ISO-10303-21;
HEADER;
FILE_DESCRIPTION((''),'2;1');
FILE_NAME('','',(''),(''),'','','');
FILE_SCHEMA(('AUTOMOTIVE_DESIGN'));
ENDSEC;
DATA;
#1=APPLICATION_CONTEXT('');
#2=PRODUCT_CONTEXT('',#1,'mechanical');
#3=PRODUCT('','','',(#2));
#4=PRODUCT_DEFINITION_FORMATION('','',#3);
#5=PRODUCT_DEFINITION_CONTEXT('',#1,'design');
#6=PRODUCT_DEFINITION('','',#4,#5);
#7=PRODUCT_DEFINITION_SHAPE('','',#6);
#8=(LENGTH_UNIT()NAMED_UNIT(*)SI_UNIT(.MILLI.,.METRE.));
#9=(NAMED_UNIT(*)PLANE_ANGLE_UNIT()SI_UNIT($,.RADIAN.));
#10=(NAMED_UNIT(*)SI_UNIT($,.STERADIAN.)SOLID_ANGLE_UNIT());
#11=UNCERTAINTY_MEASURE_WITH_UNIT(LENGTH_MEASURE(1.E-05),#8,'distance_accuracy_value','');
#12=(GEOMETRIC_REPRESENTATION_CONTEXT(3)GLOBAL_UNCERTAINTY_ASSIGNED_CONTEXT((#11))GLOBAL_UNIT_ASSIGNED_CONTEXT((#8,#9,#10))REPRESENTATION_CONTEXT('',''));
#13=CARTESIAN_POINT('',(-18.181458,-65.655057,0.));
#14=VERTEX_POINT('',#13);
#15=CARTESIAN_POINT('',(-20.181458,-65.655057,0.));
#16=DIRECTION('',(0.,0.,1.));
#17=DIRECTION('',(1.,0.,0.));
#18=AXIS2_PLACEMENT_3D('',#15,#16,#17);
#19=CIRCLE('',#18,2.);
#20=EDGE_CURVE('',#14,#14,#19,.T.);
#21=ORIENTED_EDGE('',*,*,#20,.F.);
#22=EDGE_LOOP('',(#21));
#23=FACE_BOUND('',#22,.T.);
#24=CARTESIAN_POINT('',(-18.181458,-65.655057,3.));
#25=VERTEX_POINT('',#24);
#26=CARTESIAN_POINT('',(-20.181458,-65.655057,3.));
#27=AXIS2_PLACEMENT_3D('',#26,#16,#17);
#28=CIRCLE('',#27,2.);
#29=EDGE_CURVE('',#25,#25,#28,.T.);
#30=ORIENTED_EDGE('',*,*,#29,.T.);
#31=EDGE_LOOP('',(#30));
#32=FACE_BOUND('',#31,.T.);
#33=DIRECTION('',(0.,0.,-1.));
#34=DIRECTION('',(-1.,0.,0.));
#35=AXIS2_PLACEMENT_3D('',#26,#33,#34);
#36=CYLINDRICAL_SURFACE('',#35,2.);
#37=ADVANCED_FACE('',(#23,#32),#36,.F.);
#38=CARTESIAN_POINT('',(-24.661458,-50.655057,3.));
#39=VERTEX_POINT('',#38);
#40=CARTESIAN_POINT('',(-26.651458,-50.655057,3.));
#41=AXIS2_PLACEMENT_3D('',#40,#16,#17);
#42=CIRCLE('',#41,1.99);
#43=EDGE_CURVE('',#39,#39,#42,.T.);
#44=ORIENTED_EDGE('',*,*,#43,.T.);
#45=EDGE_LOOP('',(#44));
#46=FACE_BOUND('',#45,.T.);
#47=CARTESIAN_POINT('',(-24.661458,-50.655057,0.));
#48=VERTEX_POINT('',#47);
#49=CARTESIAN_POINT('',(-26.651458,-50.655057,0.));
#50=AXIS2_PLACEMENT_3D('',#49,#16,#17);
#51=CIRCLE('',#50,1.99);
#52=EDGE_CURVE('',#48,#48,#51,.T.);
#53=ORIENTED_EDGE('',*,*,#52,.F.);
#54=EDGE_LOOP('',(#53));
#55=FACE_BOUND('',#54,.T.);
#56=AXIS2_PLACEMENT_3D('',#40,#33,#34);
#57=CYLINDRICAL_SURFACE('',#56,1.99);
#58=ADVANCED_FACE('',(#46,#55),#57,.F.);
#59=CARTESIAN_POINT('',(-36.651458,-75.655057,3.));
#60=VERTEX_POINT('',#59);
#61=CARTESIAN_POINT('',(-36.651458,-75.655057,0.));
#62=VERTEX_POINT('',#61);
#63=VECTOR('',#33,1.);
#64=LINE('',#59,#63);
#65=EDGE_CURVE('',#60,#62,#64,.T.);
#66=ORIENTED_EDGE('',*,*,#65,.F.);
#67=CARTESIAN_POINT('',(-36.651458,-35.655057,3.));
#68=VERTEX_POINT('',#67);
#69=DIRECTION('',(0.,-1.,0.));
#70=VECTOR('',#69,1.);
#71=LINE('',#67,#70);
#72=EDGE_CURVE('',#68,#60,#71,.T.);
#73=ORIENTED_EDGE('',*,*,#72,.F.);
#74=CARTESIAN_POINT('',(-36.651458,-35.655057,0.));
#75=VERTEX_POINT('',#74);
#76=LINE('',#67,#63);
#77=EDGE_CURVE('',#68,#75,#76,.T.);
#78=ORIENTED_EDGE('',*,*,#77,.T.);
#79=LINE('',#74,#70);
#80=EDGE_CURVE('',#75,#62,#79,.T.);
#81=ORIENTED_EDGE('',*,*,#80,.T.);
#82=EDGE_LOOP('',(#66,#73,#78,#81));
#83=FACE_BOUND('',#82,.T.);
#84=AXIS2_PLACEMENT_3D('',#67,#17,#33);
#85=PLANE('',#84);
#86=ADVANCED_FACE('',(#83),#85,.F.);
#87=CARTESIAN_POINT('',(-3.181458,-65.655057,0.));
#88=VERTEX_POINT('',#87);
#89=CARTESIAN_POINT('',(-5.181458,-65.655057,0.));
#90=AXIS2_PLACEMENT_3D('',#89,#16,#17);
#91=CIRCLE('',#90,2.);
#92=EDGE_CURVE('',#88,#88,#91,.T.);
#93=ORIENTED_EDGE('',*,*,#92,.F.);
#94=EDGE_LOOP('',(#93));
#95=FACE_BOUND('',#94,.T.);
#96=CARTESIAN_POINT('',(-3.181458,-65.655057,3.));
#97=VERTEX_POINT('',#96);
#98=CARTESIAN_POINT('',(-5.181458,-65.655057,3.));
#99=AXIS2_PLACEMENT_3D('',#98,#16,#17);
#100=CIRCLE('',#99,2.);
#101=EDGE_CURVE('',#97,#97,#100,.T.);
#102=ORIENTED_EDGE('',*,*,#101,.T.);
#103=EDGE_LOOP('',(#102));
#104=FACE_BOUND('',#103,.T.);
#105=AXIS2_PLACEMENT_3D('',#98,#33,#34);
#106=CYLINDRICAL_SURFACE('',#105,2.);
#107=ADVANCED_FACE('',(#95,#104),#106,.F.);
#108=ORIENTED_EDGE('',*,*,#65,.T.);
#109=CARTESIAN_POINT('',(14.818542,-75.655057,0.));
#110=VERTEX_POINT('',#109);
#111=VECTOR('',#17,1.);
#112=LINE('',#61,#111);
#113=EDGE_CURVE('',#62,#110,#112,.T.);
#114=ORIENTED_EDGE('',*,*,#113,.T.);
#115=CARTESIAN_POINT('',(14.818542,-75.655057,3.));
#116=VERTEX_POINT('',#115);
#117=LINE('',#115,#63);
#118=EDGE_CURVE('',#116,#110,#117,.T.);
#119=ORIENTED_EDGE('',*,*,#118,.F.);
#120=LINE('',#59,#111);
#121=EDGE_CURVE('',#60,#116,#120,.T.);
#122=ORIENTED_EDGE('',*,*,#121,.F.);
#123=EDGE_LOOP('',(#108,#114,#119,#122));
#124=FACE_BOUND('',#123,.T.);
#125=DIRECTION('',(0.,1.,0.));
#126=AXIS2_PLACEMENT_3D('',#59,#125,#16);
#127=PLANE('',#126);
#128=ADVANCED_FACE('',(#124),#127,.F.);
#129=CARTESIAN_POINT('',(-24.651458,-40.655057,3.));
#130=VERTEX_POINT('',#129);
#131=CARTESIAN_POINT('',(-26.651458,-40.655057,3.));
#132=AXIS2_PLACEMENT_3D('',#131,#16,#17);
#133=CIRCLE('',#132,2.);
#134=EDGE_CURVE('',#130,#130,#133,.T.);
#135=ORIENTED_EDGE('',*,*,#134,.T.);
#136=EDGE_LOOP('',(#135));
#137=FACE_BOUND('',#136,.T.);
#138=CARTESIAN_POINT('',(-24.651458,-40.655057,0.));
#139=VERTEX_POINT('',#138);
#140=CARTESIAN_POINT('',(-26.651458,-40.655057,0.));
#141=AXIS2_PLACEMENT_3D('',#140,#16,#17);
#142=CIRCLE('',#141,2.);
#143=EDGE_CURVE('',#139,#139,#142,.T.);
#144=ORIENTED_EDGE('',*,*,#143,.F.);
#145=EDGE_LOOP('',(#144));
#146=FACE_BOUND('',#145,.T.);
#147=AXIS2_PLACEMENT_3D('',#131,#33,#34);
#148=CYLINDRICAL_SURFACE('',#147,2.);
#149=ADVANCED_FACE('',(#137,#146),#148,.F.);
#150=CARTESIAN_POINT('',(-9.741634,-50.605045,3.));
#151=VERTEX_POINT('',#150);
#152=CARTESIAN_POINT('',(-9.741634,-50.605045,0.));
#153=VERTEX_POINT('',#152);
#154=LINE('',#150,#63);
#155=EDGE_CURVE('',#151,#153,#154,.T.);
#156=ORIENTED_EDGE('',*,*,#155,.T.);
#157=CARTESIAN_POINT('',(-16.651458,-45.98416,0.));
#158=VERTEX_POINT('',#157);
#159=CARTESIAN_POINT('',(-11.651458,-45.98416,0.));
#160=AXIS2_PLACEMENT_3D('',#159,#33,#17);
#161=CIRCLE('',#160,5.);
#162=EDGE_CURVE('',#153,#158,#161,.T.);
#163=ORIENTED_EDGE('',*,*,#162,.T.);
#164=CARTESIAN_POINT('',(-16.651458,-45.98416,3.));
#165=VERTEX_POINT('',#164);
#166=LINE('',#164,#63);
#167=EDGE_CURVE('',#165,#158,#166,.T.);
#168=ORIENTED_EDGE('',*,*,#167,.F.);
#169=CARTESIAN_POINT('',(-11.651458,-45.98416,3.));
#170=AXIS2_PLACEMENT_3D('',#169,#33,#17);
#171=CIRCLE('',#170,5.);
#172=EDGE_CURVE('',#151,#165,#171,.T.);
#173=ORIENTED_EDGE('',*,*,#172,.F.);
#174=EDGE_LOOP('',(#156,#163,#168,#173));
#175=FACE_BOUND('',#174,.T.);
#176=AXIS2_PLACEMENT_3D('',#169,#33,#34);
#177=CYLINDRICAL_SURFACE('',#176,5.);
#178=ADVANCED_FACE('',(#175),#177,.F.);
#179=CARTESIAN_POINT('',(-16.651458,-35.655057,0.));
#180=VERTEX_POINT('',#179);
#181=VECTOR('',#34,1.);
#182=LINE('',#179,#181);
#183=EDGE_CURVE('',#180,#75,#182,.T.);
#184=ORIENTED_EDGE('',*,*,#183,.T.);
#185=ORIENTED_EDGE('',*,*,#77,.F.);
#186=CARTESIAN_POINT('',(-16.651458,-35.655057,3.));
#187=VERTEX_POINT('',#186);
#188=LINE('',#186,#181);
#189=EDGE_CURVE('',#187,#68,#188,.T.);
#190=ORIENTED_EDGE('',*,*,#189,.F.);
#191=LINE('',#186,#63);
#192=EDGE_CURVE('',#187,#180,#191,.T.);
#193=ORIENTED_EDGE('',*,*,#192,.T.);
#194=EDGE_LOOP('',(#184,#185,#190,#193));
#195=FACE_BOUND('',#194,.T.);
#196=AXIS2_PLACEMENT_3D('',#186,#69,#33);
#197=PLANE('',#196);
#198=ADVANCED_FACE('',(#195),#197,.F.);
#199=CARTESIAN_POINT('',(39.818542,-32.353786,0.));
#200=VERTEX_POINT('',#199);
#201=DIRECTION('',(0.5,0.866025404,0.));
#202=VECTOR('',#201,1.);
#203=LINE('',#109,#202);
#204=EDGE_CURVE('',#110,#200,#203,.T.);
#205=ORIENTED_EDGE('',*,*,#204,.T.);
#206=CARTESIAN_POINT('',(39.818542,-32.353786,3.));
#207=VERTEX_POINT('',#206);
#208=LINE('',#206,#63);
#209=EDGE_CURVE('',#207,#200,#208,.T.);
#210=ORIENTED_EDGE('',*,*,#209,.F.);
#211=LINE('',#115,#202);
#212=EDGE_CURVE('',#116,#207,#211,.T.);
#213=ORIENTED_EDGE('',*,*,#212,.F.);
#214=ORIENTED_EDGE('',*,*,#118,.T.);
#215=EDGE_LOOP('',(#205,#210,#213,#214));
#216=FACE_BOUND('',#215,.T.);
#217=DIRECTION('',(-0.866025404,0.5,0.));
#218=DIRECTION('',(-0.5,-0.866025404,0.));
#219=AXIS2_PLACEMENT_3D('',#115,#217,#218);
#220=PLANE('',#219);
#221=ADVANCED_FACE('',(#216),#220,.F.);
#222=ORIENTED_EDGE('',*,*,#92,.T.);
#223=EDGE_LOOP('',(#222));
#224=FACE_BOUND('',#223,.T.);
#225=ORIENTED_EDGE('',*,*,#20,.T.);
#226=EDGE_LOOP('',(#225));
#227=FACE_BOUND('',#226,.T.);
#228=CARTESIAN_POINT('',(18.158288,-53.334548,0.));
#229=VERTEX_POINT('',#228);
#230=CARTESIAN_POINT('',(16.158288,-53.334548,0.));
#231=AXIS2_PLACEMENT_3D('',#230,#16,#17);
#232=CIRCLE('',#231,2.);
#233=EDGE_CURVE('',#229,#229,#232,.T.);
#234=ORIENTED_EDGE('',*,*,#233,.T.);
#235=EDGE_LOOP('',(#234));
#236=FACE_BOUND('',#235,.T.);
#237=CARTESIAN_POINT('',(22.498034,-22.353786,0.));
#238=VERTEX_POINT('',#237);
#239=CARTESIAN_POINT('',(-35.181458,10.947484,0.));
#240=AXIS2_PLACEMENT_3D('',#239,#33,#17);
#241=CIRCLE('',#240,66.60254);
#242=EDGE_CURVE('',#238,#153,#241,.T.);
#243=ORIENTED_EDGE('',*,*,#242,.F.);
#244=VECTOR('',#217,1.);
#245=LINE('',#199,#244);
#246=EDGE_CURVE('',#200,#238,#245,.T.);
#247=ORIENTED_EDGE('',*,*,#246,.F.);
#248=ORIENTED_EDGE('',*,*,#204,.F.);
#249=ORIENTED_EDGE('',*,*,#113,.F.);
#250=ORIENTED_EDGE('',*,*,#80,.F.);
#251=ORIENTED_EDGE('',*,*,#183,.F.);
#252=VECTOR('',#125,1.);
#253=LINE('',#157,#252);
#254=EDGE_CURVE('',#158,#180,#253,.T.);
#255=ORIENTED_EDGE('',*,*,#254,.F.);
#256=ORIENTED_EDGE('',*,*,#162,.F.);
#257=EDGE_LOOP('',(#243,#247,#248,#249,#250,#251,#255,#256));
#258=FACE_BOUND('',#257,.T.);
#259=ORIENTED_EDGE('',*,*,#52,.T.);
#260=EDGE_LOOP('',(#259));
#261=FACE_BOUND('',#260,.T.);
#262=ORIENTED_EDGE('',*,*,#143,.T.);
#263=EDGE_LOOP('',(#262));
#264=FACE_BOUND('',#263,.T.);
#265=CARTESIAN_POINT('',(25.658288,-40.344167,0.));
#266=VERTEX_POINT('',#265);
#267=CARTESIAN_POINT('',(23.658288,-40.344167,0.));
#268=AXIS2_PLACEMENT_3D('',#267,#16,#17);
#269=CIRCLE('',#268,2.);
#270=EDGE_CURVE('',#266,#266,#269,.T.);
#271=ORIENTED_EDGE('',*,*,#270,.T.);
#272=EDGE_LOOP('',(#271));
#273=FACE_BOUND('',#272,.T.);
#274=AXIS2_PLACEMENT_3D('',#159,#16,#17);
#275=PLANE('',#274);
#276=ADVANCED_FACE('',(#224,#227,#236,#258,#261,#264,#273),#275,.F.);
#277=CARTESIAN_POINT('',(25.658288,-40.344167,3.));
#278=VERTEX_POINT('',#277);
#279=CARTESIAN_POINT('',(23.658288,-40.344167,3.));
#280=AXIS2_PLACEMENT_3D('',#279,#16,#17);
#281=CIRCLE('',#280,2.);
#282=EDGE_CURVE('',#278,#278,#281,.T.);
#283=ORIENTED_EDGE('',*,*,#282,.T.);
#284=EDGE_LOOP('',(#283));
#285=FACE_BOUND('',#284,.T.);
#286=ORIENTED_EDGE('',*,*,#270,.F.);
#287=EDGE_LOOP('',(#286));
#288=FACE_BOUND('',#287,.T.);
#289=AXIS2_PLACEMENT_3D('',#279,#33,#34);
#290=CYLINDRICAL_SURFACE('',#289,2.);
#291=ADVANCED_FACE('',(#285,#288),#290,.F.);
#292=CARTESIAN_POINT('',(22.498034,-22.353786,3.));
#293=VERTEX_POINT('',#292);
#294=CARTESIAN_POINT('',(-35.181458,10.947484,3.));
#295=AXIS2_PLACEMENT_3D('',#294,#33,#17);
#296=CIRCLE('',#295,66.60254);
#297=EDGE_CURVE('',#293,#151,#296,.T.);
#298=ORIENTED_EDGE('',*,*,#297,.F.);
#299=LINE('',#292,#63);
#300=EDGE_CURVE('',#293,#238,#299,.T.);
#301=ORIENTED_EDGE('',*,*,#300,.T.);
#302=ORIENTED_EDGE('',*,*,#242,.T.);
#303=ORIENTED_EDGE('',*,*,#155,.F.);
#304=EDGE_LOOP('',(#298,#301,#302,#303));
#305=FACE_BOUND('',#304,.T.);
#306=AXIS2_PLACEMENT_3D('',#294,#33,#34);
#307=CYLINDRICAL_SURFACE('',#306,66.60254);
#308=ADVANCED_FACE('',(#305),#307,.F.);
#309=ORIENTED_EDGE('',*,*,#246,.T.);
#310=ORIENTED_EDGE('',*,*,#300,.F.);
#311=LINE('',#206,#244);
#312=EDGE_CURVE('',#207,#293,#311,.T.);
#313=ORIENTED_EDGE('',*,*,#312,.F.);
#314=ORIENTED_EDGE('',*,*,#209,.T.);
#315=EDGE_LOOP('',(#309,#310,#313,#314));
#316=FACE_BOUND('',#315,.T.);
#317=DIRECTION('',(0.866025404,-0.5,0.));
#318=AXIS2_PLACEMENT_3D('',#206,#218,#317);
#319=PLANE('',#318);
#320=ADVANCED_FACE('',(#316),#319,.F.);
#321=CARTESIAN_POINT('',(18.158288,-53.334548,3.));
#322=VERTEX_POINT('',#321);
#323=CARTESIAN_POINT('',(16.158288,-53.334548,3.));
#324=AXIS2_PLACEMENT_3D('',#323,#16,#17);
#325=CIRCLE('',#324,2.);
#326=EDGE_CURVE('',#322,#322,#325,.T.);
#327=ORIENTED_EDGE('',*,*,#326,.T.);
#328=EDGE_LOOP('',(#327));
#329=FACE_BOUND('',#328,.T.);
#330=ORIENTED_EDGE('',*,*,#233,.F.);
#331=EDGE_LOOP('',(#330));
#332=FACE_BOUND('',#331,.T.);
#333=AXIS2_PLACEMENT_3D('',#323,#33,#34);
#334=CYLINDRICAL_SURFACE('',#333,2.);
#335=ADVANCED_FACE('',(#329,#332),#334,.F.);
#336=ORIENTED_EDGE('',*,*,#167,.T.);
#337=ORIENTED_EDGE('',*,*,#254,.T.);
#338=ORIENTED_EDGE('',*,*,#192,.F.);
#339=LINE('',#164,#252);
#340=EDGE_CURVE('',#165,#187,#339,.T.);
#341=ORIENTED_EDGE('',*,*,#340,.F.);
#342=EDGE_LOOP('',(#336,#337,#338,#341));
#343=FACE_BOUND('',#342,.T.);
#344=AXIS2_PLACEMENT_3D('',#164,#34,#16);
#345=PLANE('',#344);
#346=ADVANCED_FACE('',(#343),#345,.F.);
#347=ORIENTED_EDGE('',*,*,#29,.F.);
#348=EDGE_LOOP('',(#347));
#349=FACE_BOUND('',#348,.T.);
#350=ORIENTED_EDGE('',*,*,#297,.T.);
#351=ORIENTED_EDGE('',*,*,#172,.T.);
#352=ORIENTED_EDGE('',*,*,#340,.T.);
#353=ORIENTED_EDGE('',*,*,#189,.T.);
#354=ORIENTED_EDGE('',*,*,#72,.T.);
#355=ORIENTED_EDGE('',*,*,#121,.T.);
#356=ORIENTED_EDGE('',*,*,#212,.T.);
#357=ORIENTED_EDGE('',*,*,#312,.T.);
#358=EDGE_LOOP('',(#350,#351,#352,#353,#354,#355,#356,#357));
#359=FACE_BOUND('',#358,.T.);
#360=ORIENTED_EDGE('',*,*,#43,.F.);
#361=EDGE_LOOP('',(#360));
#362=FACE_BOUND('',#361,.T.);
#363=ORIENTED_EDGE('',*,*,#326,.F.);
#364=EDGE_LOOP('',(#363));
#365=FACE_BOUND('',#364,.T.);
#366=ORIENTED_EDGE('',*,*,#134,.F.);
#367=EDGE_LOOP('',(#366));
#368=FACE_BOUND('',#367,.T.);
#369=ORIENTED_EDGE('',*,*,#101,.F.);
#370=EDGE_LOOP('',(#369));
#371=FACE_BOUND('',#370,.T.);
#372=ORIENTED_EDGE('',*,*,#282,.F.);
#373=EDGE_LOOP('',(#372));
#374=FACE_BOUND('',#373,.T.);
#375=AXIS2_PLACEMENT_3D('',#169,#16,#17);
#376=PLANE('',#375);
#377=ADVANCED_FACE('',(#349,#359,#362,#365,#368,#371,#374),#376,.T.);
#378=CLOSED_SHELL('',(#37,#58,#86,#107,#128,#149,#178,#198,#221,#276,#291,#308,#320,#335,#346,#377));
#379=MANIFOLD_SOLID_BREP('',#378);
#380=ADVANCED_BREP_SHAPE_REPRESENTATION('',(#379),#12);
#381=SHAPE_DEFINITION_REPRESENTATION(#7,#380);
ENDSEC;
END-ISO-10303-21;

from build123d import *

# Parameters (mm, degrees)
SKETCH_1_R      = 2
SKETCH_1_R_2    = 1.99
EXTRUDE_1_DEPTH = 3


with BuildPart() as part:
    # 草图1 → 凸台-拉伸1 (new body)
    with BuildSketch(Plane.XY):
        with BuildLine():
            Line((-16.651457747, -45.984160086), (-16.651457747, -35.65505653))
            Line((-16.651457747, -35.65505653), (-36.651457747, -35.65505653))
            Line((-36.651457747, -35.65505653), (-36.651457747, -75.65505653))
            Line((-36.651457747, -75.65505653), (14.818542253, -75.65505653))
            Line((14.818542253, -75.65505653), (39.818542253, -32.353786341))
            Line((39.818542253, -32.353786341), (22.498034177, -22.353786341))
            ThreePointArc((22.498034177, -22.353786341), (8.713172451, -39.144030649), (-9.741633911, -50.605044516))
            ThreePointArc((-9.741633911, -50.605044516), (-14.430925396, -50.140427593), (-16.651457747, -45.984160086))
        make_face()
        with Locations((-26.651457747, -40.65505653)):
            Circle(SKETCH_1_R, mode=Mode.SUBTRACT)
        with Locations((-26.651457747, -50.65505653)):
            Circle(SKETCH_1_R_2, mode=Mode.SUBTRACT)
        with Locations((-20.181457747, -65.65505653)):
            Circle(SKETCH_1_R, mode=Mode.SUBTRACT)
        with Locations((-5.181457747, -65.65505653)):
            Circle(SKETCH_1_R, mode=Mode.SUBTRACT)
        with Locations((16.158288215, -53.334548455)):
            Circle(SKETCH_1_R, mode=Mode.SUBTRACT)
        with Locations((23.658288215, -40.344167398)):
            Circle(SKETCH_1_R, mode=Mode.SUBTRACT)
    extrude(amount=EXTRUDE_1_DEPTH)


solid = part.part
